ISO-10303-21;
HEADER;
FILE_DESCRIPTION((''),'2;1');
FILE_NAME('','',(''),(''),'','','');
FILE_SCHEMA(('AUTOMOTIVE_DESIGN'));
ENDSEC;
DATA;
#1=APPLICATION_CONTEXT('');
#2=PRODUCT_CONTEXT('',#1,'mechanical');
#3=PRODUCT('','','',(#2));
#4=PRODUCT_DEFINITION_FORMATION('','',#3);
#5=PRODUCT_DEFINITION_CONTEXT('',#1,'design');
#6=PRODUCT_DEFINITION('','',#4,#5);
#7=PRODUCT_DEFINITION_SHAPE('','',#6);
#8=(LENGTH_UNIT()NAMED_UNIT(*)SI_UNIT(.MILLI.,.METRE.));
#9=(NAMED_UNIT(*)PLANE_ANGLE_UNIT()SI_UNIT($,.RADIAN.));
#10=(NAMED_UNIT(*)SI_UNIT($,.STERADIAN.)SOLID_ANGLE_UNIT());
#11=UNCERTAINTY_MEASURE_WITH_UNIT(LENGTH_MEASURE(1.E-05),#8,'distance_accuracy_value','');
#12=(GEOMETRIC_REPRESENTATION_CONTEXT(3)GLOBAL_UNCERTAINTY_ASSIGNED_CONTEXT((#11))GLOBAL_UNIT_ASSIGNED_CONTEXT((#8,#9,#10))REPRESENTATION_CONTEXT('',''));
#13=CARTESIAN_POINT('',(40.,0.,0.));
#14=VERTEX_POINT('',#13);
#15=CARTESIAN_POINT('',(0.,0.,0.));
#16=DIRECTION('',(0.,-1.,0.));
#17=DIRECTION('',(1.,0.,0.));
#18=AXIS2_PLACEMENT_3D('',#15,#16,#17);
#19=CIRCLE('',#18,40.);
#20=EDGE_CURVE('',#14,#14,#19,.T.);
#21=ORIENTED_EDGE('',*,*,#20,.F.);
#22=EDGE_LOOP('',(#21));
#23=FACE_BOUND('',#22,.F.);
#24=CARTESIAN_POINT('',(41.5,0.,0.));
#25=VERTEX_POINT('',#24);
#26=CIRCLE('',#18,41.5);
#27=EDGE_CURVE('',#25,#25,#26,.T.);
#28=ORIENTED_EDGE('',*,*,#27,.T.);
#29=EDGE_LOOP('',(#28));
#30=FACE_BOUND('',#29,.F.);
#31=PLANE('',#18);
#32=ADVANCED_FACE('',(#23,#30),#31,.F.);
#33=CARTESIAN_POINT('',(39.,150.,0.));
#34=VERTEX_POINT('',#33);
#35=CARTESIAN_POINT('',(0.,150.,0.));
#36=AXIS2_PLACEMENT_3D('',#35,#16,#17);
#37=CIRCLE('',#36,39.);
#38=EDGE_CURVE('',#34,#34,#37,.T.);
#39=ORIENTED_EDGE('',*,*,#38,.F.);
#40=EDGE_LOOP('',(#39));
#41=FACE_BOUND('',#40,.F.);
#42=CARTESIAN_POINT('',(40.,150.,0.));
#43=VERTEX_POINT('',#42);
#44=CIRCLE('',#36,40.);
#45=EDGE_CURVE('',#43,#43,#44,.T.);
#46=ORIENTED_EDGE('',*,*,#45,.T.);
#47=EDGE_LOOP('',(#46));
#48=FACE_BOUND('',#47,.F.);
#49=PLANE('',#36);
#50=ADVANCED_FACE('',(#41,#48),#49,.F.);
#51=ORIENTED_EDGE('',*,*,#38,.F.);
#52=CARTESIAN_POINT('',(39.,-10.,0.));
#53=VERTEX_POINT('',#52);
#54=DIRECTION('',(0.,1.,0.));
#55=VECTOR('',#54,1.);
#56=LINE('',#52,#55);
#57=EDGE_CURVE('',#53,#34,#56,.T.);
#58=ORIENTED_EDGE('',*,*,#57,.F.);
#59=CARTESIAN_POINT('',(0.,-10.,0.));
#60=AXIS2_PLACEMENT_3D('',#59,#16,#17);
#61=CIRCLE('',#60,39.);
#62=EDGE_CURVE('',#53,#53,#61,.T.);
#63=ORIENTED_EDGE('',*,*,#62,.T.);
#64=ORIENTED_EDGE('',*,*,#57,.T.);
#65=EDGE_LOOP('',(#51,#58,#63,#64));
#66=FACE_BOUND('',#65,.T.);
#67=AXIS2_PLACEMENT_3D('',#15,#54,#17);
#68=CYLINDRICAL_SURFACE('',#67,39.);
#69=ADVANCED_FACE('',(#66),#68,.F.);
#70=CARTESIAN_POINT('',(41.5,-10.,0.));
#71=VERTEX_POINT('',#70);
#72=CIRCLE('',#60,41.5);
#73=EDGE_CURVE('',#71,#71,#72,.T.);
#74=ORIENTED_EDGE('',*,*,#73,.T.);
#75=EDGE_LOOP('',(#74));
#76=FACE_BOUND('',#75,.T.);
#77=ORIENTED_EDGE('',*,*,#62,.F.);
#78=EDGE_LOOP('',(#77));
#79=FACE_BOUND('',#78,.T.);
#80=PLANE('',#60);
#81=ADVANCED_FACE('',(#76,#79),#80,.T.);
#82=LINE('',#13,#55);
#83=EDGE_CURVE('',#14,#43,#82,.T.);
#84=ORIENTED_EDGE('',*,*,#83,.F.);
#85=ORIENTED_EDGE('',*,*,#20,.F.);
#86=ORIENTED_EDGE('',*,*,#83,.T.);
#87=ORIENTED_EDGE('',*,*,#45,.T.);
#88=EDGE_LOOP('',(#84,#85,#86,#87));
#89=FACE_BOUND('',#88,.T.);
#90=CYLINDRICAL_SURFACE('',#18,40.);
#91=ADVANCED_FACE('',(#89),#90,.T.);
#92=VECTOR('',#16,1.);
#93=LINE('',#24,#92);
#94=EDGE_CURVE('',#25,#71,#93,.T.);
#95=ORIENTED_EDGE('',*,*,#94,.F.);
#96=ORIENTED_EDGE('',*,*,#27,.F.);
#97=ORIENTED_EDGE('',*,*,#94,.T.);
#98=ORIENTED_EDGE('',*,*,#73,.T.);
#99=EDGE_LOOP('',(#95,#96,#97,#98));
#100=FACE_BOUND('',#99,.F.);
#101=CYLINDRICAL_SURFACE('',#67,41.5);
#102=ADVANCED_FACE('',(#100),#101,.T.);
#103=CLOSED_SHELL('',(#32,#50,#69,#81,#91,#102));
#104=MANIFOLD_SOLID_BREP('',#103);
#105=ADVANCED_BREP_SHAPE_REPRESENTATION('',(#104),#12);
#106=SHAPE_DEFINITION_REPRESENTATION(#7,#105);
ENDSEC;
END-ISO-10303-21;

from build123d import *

# Parameters (mm, degrees)
F0_R     = 40
F0_R_2   = 39
F1_DEPTH = 150
F2_R     = 41.5
F2_R_2   = 39
F3_DEPTH = 10


with BuildPart() as f1:
    # F0 (on Front) → F1 (new body)
    with BuildSketch(Plane.XZ):
        Circle(F0_R)
        Circle(F0_R_2, mode=Mode.SUBTRACT)
    extrude(amount=-F1_DEPTH)

    # F2 (on face) → F3 (join)
    with BuildSketch(Plane.XZ):
        Circle(F2_R)
        Circle(F2_R_2, mode=Mode.SUBTRACT)
    extrude(amount=F3_DEPTH)


solid = f1.part
